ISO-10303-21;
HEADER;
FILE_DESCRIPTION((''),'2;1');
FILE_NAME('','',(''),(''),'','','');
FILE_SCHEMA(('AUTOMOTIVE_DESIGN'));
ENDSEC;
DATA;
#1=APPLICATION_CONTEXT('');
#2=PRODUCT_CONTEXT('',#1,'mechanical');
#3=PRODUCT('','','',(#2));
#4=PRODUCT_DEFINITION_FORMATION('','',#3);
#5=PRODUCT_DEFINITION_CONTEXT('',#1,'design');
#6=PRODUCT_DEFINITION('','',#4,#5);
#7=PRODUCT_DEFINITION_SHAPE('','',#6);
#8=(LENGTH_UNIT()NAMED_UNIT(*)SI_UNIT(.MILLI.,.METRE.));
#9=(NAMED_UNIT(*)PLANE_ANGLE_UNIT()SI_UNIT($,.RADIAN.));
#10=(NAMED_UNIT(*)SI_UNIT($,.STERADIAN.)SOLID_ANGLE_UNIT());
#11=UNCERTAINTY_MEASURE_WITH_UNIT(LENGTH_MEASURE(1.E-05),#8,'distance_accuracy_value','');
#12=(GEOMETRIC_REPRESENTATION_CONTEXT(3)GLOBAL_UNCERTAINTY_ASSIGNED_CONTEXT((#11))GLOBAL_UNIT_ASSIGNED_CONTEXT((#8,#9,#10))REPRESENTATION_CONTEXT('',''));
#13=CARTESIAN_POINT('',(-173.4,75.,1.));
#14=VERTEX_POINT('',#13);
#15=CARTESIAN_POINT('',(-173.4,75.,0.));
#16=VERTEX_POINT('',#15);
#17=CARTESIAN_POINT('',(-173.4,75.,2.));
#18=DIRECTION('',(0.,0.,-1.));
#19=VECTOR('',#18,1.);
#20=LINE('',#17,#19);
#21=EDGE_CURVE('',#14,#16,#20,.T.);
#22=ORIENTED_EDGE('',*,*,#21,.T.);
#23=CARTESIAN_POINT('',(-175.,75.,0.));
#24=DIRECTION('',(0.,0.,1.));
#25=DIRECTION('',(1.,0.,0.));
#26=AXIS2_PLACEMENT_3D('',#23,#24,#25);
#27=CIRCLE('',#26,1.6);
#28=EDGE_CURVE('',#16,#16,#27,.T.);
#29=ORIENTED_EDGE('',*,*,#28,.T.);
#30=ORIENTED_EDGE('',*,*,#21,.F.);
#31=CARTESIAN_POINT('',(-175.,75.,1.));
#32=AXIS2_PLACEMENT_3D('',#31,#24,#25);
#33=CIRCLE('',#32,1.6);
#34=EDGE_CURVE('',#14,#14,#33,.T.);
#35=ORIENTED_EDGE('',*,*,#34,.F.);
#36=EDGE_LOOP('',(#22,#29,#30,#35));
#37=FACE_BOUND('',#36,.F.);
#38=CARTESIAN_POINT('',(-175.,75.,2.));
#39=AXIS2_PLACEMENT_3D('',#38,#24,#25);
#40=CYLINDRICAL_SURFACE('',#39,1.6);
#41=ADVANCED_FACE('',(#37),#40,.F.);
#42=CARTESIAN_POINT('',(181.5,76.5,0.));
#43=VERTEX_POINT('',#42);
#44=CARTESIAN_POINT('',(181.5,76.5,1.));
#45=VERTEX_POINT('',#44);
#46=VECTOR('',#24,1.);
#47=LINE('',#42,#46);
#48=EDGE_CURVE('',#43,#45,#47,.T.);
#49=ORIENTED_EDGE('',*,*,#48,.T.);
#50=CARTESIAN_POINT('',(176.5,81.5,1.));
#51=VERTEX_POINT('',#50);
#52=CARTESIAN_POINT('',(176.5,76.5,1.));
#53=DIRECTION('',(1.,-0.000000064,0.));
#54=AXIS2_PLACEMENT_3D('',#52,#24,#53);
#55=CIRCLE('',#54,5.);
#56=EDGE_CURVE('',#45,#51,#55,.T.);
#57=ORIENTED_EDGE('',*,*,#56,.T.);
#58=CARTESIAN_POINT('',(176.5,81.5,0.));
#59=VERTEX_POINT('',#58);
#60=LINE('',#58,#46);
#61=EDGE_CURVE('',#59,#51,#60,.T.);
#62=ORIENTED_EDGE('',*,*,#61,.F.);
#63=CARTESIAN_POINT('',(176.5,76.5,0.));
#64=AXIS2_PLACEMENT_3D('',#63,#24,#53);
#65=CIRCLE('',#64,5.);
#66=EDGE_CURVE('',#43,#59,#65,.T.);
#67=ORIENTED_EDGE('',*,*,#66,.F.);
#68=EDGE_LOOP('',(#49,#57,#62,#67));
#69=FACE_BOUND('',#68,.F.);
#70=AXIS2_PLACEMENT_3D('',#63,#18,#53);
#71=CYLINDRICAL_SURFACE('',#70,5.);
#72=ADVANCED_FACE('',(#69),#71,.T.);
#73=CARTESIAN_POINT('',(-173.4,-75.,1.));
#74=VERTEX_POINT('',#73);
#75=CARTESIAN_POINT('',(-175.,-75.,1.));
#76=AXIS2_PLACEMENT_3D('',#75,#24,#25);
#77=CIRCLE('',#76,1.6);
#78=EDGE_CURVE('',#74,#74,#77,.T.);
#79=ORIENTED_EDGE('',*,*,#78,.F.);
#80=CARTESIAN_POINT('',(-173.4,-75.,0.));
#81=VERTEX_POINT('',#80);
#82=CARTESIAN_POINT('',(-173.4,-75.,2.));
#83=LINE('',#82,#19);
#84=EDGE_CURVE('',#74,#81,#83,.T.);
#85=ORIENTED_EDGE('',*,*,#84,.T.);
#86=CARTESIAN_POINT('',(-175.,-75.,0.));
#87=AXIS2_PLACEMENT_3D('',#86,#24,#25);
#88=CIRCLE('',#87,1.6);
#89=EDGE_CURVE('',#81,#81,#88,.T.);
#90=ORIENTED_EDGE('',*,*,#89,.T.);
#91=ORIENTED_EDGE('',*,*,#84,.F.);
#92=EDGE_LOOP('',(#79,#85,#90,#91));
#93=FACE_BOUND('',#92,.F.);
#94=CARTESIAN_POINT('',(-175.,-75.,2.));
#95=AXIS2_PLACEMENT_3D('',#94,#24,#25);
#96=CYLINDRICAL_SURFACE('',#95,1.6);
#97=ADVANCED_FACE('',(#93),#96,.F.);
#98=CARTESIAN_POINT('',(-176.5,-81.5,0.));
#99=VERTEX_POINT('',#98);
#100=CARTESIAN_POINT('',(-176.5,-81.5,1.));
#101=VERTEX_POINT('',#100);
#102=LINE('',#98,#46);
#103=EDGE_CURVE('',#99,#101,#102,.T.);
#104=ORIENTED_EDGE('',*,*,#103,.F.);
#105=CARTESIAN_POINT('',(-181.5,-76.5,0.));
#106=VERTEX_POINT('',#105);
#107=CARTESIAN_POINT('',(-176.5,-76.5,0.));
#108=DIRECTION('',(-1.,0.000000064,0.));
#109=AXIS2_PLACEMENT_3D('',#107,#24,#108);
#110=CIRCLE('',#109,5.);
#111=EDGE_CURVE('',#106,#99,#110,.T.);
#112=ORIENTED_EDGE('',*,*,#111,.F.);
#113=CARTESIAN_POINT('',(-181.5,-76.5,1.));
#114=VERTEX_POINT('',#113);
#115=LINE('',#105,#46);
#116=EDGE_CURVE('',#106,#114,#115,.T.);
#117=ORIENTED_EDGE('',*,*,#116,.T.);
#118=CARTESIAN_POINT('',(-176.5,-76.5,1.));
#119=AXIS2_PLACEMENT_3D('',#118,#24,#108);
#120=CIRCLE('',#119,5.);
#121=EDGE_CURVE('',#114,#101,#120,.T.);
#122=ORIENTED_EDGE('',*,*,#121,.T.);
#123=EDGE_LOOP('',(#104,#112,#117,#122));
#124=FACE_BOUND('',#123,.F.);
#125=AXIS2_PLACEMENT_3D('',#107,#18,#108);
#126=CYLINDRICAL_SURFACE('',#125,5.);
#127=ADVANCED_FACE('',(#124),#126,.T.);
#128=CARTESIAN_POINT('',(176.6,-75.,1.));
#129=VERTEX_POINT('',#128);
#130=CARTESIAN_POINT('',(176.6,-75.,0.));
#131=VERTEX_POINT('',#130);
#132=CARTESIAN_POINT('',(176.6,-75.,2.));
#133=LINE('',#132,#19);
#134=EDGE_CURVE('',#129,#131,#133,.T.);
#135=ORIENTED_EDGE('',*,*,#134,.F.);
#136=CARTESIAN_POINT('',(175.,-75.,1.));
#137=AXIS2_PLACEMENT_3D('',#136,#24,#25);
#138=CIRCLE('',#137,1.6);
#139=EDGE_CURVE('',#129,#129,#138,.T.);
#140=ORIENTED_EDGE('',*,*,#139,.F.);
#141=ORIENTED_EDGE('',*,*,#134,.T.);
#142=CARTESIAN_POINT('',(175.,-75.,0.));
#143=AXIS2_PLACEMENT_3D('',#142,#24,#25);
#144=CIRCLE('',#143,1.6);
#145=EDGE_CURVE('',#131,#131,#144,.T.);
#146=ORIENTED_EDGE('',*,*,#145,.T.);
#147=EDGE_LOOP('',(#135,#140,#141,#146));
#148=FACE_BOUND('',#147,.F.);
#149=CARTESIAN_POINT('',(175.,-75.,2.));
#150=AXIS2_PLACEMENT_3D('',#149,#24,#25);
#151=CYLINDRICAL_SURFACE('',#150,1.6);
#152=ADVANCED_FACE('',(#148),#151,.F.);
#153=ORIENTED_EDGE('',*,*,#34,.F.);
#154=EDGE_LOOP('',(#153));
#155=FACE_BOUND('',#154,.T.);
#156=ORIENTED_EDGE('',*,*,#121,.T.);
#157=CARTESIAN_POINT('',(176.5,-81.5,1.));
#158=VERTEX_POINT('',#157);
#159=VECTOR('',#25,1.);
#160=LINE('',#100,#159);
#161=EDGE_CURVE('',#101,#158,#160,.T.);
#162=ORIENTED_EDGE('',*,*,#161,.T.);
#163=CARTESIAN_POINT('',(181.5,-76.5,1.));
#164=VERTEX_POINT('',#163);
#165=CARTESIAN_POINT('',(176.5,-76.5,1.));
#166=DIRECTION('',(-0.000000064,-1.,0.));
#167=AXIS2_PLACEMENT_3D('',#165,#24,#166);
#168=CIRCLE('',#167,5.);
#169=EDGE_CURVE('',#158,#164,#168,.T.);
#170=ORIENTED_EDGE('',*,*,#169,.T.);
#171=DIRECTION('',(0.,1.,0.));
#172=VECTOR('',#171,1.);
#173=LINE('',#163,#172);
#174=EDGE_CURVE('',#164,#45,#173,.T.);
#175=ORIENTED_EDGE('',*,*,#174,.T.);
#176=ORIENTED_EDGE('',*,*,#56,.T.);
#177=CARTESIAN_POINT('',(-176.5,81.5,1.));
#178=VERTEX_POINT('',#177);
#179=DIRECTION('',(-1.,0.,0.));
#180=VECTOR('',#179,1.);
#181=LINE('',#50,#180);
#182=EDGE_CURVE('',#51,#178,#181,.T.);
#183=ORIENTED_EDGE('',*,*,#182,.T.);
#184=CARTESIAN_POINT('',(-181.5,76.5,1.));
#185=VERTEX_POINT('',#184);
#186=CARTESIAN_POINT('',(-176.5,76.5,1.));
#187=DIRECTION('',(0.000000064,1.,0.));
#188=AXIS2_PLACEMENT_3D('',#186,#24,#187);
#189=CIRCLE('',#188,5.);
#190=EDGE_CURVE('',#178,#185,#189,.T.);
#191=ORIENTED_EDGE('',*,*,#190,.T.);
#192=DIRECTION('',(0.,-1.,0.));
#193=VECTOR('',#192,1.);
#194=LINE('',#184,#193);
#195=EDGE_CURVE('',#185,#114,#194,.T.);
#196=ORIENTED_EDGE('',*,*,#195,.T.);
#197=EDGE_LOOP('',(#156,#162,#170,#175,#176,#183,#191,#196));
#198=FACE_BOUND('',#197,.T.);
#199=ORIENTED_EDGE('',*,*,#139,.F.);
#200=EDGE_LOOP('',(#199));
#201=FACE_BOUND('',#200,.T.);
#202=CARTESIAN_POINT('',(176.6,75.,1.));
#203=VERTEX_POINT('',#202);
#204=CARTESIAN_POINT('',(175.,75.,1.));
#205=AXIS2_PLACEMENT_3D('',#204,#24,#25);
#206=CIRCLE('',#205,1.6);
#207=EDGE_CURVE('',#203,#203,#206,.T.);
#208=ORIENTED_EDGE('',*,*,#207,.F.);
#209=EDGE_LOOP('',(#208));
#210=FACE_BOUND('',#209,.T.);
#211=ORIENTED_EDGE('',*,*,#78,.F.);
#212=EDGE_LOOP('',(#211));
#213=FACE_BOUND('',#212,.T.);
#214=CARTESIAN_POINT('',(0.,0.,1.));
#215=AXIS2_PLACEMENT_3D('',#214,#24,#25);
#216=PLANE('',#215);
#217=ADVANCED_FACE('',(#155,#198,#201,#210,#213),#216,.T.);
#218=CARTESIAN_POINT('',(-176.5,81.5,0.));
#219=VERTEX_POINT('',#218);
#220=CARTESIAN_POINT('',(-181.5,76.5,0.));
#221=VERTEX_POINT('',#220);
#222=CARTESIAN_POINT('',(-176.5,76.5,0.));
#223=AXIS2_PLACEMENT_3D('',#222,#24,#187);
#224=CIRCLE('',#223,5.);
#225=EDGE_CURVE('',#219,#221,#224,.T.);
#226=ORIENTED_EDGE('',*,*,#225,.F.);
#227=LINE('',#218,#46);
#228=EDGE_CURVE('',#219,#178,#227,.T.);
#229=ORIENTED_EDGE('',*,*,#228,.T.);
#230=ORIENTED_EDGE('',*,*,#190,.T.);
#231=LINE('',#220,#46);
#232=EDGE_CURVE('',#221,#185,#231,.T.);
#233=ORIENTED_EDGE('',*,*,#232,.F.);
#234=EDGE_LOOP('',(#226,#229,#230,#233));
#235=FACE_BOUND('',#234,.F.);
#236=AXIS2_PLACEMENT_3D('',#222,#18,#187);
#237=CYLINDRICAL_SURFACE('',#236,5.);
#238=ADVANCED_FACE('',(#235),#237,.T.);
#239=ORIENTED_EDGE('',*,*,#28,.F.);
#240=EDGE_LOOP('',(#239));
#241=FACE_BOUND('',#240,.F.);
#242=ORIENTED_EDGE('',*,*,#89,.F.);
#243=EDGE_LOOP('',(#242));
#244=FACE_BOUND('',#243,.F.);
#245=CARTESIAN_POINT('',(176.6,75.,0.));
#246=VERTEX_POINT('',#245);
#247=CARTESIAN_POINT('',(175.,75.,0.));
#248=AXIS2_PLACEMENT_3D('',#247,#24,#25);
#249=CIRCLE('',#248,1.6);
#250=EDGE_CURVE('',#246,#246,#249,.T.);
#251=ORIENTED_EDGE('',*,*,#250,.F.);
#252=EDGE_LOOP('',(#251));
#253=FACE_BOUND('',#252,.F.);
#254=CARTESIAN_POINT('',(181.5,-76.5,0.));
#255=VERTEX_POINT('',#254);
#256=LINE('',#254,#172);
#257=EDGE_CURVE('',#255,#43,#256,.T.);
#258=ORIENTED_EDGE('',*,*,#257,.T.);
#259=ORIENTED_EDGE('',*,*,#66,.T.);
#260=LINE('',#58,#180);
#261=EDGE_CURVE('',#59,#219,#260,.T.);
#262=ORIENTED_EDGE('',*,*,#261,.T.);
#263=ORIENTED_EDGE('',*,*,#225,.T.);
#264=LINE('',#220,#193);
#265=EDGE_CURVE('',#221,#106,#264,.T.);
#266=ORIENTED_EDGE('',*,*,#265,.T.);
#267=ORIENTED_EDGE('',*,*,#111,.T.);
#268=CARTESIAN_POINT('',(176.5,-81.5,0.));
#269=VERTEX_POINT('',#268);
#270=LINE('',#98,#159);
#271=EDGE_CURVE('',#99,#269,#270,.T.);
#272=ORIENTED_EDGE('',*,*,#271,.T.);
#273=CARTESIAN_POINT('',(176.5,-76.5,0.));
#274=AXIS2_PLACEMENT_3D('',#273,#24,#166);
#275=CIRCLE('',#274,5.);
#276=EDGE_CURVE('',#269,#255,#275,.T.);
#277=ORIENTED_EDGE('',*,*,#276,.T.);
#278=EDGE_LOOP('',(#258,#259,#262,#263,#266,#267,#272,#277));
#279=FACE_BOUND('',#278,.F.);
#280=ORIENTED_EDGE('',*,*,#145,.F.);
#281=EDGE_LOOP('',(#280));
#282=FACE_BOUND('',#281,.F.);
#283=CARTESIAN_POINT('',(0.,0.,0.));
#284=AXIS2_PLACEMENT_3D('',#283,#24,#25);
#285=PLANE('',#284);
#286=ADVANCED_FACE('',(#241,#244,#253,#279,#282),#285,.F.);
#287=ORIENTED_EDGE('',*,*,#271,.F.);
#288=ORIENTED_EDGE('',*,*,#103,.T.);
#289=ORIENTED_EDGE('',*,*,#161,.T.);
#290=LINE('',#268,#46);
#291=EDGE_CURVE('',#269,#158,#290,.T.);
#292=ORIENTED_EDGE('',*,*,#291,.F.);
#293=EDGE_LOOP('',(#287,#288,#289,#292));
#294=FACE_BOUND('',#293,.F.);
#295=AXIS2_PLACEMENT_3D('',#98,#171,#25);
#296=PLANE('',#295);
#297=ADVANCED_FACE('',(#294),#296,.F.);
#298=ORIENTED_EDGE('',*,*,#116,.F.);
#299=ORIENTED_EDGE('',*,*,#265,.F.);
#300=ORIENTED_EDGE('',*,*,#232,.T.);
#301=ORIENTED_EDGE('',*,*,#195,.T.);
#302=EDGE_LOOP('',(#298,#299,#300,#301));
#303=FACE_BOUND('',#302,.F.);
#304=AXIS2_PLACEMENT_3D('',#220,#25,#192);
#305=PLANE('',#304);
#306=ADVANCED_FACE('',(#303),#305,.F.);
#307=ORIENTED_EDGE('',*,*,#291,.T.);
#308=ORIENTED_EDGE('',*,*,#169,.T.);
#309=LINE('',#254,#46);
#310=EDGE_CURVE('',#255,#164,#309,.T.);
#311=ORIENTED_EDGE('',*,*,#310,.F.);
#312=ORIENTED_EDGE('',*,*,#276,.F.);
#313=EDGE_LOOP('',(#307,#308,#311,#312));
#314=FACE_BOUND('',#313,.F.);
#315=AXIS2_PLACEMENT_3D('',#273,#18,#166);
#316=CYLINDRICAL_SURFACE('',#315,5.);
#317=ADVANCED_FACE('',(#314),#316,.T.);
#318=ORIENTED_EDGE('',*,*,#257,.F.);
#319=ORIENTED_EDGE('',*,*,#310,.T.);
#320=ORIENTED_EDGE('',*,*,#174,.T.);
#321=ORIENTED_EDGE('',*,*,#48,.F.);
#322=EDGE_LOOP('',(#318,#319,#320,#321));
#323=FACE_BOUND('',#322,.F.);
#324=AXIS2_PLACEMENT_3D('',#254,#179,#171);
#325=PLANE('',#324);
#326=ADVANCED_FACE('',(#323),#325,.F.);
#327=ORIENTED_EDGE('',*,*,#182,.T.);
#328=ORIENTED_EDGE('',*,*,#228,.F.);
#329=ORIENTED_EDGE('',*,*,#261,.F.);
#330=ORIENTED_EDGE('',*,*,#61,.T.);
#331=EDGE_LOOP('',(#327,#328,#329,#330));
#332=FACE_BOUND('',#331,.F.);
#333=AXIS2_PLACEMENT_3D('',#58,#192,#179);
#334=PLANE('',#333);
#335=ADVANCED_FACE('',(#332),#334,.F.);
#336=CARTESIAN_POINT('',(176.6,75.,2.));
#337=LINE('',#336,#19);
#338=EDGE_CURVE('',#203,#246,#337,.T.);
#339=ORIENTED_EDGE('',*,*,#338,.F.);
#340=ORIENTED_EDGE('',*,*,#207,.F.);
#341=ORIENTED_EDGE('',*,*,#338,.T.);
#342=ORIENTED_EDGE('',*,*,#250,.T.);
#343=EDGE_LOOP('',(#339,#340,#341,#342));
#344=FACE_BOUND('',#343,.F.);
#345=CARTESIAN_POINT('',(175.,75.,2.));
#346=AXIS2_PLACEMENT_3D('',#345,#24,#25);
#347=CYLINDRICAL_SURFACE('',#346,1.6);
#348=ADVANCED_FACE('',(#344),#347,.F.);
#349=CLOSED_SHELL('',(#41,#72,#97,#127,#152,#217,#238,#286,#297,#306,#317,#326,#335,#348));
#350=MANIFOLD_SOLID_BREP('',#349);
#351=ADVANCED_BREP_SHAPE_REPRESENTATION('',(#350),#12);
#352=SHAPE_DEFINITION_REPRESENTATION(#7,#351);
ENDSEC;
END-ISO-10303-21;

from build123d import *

# Parameters (mm, degrees)
PAD_DEPTH       = 1
SKETCH001_R     = 1.6
POCKET_DEPTH    = 10
SKETCH004_R     = 1.6
POCKET001_DEPTH = 5
SKETCH002_R     = 1.6
POCKET002_DEPTH = 5
SKETCH003_R     = 1.6
POCKET003_DEPTH = 5


with BuildPart() as part:
    # Sketch → Pad (new body)
    with BuildSketch(Plane.XY):
        with BuildLine():
            Line((-181.5, 76.5), (-181.5, -76.5))
            ThreePointArc((-181.5, -76.5), (-180.035534, -80.035534), (-176.5, -81.5))
            Line((-176.5, -81.5), (176.5, -81.5))
            ThreePointArc((176.5, -81.5), (180.035534, -80.035534), (181.5, -76.5))
            Line((181.5, -76.5), (181.5, 76.5))
            ThreePointArc((181.5, 76.5), (180.035534, 80.035534), (176.5, 81.5))
            Line((176.5, 81.5), (-176.5, 81.5))
            ThreePointArc((-176.5, 81.5), (-180.035534, 80.035534), (-181.5, 76.5))
        make_face()
    extrude(amount=PAD_DEPTH)

    # Sketch001 → Pocket (cut)
    with BuildSketch(Plane.XY.offset(2)):
        with Locations((-175, 75)):
            Circle(SKETCH001_R)
    extrude(amount=-POCKET_DEPTH, mode=Mode.SUBTRACT)

    # Sketch004 → Pocket001 (cut)
    with BuildSketch(Plane.XY.offset(2)):
        with Locations((175, -75)):
            Circle(SKETCH004_R)
    extrude(amount=-POCKET001_DEPTH, mode=Mode.SUBTRACT)

    # Sketch002 → Pocket002 (cut)
    with BuildSketch(Plane.XY.offset(2)):
        with Locations((-175, -75)):
            Circle(SKETCH002_R)
    extrude(amount=-POCKET002_DEPTH, mode=Mode.SUBTRACT)

    # Sketch003 → Pocket003 (cut)
    with BuildSketch(Plane.XY.offset(2)):
        with Locations((175, 75)):
            Circle(SKETCH003_R)
    extrude(amount=-POCKET003_DEPTH, mode=Mode.SUBTRACT)


solid = part.part
